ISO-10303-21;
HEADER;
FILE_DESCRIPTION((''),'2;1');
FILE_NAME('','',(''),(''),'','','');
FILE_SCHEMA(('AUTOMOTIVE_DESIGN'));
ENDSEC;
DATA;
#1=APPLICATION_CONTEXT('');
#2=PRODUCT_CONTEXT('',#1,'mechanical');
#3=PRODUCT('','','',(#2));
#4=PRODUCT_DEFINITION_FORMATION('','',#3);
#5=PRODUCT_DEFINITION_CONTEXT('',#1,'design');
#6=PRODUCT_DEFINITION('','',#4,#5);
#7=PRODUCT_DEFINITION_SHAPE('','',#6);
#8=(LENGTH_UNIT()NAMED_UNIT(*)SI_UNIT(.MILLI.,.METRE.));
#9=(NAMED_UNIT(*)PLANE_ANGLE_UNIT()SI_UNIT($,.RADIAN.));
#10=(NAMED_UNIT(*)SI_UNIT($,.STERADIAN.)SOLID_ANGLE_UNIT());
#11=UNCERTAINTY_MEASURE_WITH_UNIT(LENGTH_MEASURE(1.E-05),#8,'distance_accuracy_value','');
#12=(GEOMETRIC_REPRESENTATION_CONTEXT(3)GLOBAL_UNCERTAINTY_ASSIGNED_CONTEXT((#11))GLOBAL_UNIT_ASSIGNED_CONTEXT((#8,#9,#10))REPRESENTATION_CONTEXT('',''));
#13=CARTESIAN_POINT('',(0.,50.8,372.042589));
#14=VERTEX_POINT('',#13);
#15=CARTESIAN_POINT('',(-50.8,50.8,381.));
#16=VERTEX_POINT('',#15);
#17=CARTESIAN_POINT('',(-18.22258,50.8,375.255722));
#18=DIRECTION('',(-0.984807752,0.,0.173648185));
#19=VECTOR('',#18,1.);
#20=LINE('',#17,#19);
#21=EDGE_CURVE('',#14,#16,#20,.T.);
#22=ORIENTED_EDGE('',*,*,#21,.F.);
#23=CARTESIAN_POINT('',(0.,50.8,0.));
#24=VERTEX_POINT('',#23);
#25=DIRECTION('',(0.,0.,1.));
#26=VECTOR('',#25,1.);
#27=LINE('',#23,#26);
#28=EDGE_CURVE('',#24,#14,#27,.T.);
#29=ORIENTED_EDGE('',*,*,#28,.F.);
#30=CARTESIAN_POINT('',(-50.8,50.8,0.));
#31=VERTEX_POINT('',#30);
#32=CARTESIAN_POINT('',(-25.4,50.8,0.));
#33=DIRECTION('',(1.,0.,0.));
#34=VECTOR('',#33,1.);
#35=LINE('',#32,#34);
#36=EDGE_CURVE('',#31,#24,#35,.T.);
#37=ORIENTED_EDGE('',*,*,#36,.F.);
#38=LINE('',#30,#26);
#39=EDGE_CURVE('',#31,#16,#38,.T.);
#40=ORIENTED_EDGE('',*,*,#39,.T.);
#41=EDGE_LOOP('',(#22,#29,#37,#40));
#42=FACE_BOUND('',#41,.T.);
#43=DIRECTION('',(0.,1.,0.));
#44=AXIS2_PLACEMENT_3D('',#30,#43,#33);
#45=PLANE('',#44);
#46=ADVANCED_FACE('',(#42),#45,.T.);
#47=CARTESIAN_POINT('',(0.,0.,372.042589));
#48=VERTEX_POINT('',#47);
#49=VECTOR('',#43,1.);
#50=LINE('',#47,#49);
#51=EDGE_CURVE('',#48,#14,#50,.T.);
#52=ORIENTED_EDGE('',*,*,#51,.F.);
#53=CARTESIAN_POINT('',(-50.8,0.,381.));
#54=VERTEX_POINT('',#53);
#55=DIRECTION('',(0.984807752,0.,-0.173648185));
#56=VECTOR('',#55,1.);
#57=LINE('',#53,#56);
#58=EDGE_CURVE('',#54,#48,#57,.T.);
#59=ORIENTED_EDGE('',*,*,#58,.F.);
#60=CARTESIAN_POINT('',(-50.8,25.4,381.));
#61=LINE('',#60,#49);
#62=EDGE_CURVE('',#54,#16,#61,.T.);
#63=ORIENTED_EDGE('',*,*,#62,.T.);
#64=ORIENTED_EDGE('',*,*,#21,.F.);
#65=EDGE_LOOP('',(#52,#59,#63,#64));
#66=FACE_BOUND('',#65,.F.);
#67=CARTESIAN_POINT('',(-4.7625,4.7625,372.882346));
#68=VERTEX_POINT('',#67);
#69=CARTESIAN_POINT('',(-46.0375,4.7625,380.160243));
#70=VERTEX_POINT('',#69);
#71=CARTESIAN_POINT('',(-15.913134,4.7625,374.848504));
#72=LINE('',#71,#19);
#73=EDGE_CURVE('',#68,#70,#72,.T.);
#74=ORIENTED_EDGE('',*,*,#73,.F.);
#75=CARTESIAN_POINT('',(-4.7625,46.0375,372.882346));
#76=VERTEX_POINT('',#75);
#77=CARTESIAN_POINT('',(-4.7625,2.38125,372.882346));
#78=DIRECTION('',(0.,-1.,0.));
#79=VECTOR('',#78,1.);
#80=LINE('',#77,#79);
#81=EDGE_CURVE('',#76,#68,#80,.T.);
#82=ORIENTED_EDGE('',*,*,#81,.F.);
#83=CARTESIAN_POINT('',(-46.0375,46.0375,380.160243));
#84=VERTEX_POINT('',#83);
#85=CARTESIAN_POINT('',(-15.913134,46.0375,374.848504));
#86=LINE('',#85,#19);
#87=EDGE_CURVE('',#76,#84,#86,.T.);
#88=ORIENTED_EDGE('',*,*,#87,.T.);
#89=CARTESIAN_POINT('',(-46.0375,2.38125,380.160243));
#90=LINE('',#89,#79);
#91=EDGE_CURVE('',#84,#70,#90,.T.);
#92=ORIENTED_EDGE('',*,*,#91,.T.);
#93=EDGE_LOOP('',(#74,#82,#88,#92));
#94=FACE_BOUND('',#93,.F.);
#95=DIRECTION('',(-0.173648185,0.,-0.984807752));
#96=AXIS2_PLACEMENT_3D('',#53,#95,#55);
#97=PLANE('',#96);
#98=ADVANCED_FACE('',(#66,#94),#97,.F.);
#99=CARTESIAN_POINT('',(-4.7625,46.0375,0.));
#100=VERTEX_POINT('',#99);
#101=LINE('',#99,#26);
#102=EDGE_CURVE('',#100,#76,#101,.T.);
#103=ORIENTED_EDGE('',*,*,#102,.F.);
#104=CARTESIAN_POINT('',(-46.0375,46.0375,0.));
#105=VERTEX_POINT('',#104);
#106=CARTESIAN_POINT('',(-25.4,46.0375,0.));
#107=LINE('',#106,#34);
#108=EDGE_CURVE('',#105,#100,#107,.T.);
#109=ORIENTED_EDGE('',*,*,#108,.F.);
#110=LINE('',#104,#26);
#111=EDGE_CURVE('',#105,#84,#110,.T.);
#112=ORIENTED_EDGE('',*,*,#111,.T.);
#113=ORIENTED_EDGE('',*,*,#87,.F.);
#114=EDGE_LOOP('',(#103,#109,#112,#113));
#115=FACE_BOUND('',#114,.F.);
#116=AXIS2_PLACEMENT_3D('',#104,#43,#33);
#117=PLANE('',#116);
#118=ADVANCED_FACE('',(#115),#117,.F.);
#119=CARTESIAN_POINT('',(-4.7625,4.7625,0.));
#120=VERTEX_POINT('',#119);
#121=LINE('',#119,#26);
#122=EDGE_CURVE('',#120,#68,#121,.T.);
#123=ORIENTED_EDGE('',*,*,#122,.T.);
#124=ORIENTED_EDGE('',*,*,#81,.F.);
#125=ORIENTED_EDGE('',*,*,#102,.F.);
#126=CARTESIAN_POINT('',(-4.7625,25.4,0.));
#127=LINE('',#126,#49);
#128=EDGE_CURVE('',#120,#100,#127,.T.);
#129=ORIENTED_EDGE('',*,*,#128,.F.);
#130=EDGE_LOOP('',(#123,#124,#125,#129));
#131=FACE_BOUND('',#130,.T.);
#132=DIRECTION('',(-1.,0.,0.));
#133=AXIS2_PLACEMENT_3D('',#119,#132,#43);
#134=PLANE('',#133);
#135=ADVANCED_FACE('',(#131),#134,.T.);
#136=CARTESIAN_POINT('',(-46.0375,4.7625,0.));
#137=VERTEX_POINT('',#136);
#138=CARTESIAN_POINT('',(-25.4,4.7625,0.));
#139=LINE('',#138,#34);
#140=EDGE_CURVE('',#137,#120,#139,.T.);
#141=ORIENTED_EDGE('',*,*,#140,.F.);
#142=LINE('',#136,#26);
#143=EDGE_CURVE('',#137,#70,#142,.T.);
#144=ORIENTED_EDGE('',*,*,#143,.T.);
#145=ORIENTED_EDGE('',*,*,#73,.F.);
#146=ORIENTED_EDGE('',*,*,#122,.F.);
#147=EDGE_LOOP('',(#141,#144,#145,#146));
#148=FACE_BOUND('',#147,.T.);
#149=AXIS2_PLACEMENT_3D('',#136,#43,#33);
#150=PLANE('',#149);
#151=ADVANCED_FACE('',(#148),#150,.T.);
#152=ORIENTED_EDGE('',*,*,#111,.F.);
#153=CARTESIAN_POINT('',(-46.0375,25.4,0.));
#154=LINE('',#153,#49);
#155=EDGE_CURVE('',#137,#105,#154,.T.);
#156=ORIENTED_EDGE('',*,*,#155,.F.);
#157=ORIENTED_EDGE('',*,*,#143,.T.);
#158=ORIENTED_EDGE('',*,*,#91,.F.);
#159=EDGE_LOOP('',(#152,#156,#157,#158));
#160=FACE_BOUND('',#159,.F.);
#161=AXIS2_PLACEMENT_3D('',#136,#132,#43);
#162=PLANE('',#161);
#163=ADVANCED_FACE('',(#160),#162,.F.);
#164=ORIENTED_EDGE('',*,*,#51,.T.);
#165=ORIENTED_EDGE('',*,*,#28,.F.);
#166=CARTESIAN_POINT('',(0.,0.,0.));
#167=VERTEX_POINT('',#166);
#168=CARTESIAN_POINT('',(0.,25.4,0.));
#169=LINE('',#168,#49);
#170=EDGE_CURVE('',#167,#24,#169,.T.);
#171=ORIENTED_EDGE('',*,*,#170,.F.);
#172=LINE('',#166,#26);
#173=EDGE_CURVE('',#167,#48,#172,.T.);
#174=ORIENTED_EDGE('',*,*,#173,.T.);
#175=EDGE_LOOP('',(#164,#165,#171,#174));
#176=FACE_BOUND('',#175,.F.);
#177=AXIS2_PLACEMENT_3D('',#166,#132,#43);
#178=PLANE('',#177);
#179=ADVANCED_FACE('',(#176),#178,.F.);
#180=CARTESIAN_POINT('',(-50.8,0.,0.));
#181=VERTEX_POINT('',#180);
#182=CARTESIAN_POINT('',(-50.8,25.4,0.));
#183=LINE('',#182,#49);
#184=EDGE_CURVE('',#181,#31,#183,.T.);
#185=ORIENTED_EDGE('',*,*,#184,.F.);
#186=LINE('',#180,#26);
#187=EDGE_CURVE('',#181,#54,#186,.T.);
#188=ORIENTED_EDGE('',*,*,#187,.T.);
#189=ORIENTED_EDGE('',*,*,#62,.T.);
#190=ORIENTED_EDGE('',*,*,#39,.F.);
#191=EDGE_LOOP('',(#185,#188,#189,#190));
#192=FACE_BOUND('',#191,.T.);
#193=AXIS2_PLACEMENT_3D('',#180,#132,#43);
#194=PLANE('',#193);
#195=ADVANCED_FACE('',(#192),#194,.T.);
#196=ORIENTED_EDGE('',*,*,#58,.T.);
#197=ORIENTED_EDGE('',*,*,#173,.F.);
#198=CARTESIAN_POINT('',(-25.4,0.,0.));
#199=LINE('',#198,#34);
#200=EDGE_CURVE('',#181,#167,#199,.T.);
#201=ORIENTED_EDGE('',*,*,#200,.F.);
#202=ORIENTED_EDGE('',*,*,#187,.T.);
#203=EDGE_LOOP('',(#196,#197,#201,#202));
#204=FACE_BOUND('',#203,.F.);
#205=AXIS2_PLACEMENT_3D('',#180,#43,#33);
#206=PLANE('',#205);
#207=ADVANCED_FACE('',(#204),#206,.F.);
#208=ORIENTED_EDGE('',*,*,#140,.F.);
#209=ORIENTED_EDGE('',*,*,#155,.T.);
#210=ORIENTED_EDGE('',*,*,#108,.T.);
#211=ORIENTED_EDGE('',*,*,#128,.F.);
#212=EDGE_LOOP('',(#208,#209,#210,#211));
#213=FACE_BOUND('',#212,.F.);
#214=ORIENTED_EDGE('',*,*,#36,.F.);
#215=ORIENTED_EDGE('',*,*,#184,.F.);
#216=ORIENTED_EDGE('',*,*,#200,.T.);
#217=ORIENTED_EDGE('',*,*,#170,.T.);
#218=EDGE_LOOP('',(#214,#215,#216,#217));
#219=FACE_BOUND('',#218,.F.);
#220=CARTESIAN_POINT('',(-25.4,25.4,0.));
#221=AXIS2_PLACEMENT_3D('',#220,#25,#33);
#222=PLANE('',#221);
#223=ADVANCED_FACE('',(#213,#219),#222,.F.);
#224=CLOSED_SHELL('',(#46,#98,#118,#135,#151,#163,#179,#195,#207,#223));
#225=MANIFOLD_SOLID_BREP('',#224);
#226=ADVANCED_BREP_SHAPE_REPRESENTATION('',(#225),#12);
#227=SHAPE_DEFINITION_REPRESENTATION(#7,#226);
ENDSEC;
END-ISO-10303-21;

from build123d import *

# Parameters (mm, degrees)
F0_W     = 50.8
F0_H     = 50.8
F0_W_2   = 41.275
F0_H_2   = 41.275
F1_DEPTH = 381
F3_DEPTH = 50.801


with BuildPart() as f1:
    # F0 (on Top) → F1 (new body)
    with BuildSketch(Plane.XY):
        with Locations((-25.4, 25.4)):
            Rectangle(F0_W, F0_H)
        with Locations((-25.4, 25.4)):
            Rectangle(F0_W_2, F0_H_2, mode=Mode.SUBTRACT)
    extrude(amount=F1_DEPTH)

    # F2 (on face) → F3 (cut, through all)
    with BuildSketch(Plane.XZ):
        Polygon((0, 372.042589), (0, 381), (-50.8, 381), align=None)
    extrude(amount=-F3_DEPTH, mode=Mode.SUBTRACT)


solid = f1.part
